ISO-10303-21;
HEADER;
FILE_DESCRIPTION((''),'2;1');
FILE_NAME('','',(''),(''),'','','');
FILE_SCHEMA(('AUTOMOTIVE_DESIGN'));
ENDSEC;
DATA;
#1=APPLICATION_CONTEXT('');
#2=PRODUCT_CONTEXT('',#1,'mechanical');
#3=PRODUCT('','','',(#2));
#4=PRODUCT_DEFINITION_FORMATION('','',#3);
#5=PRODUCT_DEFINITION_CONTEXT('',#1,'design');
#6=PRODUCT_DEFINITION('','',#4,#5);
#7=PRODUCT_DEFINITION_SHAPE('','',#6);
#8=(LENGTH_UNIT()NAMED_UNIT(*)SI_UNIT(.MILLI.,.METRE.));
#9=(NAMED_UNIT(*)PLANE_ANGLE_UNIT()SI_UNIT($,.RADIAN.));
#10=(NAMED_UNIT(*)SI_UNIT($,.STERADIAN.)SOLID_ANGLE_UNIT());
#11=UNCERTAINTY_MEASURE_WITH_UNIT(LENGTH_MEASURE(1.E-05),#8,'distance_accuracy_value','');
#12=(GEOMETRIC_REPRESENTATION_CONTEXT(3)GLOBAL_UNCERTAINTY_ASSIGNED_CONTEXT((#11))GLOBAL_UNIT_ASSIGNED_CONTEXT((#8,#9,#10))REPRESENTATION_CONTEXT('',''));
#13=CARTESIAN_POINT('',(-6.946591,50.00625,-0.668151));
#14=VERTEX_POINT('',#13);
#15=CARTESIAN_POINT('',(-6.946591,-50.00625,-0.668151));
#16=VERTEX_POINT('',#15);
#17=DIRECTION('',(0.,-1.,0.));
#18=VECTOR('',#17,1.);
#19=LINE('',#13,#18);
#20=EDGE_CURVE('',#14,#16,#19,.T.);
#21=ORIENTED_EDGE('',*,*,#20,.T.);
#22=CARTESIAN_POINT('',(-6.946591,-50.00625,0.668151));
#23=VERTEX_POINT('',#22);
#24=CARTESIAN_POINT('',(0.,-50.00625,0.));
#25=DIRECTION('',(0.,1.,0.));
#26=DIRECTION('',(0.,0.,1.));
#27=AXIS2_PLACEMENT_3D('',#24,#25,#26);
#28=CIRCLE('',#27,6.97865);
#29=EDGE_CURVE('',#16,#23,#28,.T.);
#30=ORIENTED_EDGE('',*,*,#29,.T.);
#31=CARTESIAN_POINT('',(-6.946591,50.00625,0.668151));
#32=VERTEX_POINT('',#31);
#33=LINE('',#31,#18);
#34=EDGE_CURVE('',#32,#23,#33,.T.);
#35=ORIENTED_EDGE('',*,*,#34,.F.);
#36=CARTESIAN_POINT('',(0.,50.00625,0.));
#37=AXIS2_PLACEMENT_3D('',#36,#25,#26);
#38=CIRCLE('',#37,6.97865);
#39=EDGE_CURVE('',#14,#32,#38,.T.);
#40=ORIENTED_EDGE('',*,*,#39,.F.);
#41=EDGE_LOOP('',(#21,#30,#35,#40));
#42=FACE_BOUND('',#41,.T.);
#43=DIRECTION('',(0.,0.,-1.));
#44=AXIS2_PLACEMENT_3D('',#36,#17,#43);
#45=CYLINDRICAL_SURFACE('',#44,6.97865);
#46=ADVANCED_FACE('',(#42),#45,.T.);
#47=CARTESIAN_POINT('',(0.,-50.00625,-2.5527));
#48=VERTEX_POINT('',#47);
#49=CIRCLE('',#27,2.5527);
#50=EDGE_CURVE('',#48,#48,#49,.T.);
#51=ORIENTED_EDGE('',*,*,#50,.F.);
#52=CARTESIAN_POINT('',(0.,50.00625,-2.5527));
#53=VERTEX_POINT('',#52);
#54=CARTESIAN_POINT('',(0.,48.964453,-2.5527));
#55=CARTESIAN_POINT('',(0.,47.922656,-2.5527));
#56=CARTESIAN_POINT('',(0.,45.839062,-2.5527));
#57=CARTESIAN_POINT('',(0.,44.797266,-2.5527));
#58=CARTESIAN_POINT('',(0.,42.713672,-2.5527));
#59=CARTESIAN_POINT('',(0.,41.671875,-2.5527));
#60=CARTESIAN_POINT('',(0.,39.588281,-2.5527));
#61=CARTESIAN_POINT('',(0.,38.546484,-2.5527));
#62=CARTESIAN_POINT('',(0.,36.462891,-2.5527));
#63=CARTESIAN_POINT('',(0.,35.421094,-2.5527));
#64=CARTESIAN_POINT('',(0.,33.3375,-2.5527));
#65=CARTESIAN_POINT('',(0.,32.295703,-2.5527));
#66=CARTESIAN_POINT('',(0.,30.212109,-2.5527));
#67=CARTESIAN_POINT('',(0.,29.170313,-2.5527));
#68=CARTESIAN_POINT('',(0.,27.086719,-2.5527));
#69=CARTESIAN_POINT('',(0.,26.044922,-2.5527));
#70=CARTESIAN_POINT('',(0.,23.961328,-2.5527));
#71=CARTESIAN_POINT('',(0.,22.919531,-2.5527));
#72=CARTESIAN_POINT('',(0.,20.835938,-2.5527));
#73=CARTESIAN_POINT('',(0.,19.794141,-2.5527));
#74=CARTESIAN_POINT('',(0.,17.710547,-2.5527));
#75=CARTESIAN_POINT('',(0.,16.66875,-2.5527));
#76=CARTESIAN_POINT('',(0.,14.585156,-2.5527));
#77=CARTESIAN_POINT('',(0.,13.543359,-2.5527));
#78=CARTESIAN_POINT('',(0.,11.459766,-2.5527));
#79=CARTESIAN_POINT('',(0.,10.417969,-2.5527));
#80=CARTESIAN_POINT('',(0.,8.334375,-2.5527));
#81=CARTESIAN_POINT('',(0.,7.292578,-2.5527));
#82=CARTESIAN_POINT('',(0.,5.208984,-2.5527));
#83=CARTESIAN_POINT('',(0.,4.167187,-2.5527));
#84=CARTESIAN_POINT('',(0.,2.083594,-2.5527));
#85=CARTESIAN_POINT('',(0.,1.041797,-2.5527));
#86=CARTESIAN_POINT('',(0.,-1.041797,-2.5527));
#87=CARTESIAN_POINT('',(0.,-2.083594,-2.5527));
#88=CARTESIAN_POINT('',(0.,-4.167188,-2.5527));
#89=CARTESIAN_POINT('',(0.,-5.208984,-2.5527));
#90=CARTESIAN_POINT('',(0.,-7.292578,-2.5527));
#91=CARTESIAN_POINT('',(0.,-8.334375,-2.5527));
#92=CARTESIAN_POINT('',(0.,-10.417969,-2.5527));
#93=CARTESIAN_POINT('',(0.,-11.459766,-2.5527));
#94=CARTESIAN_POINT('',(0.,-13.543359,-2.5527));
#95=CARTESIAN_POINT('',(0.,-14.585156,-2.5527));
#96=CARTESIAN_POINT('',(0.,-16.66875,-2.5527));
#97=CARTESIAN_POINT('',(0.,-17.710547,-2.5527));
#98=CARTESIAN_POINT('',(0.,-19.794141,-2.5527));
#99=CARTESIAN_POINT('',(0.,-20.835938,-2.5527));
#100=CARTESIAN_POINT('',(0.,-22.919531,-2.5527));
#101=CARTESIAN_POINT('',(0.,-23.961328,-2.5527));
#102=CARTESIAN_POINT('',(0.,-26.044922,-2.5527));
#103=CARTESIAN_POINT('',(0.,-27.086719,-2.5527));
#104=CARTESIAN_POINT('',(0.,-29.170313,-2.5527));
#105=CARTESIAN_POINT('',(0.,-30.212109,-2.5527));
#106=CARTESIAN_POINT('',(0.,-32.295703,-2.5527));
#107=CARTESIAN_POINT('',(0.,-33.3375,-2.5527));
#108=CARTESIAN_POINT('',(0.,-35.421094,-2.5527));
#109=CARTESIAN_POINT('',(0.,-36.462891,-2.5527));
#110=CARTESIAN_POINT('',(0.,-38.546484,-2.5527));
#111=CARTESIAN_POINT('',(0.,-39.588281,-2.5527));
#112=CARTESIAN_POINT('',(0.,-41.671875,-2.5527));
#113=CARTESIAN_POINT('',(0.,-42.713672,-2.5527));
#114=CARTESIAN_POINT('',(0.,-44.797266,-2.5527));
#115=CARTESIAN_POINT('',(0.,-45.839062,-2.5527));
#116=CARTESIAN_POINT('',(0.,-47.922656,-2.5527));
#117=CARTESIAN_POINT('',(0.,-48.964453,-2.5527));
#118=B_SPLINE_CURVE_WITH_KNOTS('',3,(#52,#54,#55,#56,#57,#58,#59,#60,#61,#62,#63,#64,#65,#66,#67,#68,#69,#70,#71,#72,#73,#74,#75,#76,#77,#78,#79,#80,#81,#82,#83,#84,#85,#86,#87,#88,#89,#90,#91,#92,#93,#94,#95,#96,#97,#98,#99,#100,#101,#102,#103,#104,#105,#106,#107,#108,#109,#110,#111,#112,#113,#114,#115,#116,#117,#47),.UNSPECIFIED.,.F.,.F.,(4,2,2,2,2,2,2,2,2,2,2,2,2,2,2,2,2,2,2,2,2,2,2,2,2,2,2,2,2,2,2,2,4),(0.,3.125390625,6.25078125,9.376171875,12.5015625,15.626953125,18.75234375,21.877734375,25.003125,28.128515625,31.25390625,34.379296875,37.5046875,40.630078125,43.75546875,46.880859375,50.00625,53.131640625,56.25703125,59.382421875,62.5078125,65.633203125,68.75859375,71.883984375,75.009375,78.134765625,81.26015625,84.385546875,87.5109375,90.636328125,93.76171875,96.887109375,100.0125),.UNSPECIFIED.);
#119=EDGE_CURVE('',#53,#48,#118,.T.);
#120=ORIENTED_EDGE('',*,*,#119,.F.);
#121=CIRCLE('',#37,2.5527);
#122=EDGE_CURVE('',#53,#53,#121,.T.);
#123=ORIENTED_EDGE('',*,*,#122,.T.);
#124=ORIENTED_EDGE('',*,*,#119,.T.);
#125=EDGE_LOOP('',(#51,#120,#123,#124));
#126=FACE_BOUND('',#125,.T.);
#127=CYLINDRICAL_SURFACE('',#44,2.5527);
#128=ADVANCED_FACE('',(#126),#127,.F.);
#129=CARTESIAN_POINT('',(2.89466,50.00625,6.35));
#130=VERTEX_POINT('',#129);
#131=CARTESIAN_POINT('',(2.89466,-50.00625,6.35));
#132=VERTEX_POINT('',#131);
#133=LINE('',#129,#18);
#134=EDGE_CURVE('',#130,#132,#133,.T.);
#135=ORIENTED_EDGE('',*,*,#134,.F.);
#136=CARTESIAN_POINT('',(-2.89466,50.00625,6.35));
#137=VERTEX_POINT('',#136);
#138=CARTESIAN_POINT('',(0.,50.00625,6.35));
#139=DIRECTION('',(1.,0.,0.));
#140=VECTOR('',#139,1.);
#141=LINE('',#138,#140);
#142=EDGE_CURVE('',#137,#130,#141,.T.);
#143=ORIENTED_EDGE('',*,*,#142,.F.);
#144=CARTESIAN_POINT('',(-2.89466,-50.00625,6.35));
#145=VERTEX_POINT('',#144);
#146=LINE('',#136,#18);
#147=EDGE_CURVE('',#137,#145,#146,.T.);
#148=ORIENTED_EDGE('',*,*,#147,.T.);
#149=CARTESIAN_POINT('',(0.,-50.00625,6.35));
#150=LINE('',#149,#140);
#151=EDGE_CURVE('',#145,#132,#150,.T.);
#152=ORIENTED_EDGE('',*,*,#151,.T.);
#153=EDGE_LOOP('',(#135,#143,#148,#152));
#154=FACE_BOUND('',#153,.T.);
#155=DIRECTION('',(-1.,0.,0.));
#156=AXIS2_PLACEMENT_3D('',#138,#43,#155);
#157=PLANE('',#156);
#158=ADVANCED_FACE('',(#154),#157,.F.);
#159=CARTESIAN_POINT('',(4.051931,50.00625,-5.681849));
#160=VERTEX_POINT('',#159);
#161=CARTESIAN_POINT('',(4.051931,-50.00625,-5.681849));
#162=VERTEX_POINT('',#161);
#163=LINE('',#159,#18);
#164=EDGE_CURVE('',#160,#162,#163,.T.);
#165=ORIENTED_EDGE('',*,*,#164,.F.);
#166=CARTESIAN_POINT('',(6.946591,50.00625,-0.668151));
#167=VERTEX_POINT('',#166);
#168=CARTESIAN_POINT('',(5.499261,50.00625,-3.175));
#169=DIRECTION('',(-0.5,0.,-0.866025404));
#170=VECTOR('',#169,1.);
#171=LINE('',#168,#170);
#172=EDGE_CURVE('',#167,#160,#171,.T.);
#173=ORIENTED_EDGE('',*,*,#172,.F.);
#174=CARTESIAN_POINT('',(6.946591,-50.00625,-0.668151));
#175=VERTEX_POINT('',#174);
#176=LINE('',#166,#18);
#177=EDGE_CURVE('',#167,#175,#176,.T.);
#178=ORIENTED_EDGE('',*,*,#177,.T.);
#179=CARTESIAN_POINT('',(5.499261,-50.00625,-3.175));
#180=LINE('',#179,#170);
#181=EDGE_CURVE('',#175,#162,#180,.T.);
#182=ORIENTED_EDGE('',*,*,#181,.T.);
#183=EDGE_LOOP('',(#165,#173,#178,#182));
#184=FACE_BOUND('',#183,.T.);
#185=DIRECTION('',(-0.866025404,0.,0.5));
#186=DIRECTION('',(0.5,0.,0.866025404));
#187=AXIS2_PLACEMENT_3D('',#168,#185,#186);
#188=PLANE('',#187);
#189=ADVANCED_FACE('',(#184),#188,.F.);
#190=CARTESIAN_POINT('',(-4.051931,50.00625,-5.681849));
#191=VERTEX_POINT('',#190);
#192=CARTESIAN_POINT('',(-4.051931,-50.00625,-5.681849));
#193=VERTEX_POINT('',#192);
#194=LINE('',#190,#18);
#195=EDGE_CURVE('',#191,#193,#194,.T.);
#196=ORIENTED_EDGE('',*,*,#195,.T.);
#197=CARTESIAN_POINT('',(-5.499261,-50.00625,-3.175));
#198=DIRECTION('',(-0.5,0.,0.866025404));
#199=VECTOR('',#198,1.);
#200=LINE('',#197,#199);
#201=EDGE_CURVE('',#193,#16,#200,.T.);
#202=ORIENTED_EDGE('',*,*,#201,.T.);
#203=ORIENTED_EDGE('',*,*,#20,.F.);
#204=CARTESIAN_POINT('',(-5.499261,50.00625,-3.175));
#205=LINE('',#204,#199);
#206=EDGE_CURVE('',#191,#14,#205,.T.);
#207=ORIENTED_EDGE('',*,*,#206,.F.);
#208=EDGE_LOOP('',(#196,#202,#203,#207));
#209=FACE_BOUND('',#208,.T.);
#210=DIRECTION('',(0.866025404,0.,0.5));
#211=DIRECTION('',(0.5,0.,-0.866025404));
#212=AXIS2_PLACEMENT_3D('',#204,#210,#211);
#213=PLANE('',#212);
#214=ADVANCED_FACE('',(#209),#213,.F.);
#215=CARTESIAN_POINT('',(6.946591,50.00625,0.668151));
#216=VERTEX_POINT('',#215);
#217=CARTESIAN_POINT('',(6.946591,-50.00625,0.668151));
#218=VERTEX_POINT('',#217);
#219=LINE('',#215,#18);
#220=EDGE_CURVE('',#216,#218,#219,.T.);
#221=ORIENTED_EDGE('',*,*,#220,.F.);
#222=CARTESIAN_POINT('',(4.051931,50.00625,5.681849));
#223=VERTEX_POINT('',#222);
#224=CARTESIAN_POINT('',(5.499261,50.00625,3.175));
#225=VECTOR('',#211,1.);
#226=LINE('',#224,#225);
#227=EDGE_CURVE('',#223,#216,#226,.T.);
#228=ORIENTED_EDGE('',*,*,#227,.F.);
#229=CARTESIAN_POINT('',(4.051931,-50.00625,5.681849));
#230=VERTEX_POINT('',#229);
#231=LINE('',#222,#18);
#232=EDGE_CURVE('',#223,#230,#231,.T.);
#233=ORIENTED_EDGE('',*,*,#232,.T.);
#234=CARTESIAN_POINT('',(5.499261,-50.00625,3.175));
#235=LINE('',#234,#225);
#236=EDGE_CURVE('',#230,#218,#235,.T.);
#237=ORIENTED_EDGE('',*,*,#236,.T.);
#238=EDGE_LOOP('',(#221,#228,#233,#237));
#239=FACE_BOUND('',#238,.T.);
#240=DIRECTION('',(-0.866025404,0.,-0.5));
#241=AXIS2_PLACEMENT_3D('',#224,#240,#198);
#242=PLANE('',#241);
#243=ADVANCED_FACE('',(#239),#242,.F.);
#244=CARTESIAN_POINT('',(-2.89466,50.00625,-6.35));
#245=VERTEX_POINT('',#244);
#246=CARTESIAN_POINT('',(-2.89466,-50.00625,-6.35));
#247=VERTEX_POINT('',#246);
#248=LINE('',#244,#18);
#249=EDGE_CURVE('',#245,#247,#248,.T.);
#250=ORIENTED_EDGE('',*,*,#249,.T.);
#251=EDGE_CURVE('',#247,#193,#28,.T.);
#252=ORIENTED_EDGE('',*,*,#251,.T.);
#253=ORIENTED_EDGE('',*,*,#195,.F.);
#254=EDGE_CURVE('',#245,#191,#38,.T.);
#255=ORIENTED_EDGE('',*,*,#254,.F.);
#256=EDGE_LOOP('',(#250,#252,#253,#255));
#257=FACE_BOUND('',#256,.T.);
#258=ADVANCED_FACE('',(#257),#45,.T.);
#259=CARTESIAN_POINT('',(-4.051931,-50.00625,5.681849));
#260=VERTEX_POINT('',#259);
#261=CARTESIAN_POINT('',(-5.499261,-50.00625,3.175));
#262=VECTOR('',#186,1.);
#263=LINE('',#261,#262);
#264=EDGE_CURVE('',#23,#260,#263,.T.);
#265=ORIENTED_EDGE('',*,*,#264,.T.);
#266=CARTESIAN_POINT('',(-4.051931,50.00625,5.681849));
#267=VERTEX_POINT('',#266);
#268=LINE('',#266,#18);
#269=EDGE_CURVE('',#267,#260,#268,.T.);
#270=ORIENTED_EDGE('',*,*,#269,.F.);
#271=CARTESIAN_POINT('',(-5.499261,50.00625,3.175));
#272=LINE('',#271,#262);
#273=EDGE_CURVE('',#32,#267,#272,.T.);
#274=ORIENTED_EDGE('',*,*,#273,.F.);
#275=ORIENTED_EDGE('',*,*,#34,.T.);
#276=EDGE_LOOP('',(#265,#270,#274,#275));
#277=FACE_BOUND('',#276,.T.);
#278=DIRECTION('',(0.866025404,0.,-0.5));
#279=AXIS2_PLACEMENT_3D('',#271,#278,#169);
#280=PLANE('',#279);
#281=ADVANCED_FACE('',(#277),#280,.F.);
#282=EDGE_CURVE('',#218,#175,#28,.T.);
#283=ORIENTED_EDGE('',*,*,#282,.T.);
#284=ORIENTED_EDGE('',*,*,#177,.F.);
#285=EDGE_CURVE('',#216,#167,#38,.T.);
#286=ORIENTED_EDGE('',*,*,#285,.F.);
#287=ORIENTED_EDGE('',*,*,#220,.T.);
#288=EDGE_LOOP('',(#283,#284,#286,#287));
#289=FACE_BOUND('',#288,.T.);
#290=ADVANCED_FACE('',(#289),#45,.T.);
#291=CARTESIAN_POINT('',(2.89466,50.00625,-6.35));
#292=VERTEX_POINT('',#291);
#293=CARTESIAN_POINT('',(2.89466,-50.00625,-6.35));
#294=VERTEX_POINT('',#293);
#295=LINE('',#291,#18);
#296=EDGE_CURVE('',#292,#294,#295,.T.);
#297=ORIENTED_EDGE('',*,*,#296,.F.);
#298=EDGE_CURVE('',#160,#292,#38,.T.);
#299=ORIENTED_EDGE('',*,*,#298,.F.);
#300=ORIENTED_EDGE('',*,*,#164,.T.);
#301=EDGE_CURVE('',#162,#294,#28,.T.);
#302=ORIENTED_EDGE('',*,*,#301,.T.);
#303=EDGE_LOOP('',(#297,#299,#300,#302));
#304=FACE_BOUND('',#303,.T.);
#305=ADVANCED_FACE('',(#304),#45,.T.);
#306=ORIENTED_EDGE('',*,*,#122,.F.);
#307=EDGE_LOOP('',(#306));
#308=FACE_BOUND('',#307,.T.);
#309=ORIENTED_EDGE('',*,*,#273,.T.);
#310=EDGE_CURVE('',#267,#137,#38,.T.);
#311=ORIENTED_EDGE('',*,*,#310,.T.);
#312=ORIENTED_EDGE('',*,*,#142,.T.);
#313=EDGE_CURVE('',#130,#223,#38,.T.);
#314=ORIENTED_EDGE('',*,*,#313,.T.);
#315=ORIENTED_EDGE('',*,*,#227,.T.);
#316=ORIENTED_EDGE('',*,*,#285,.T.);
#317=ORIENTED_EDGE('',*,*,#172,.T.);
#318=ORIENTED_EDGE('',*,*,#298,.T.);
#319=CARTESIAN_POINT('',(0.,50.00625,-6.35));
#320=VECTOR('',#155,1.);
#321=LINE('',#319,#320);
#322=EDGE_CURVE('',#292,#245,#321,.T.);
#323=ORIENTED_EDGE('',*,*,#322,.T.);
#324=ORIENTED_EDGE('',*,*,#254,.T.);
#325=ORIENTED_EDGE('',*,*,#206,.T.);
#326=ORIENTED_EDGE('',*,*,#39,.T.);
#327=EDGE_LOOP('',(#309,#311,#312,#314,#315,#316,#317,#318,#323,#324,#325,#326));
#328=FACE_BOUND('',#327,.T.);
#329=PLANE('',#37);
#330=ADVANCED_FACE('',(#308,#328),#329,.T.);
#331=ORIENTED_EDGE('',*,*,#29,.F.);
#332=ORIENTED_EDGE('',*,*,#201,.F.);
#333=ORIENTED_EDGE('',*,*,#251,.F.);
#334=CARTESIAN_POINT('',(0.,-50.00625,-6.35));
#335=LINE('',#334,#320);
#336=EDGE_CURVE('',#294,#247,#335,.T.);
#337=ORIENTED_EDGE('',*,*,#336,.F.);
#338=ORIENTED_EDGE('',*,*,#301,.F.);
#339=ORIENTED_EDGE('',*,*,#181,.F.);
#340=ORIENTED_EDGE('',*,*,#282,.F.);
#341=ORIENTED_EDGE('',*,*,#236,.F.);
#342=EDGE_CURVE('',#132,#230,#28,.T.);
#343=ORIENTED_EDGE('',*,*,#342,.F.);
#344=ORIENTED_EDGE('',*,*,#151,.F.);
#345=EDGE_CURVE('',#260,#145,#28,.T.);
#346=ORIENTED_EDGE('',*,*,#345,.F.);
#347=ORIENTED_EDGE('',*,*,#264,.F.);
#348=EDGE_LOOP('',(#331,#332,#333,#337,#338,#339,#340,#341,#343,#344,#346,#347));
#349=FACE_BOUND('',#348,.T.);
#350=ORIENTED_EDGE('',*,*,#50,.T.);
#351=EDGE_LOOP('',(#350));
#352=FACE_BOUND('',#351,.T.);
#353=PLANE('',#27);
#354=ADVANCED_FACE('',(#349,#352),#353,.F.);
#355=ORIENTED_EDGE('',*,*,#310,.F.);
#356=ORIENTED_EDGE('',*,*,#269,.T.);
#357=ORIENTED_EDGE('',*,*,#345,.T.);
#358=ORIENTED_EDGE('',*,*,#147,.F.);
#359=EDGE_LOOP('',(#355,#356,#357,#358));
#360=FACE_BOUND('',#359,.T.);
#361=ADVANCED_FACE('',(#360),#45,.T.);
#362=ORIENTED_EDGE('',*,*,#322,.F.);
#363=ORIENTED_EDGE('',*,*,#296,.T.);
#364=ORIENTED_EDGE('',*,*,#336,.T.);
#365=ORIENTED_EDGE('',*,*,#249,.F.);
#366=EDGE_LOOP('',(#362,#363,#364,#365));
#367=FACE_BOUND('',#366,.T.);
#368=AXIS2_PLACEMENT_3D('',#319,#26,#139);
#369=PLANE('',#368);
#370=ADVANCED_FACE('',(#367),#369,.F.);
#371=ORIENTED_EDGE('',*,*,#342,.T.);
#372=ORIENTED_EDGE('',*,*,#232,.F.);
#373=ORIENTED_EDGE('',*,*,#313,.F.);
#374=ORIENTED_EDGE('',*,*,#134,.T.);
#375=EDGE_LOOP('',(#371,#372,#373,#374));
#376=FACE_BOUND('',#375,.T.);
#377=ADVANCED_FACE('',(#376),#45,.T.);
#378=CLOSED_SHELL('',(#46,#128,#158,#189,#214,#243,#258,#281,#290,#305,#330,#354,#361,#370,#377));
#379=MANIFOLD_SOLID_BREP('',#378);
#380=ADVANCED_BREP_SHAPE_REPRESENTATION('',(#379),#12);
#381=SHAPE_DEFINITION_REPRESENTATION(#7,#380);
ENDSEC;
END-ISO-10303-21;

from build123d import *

# Parameters (mm, degrees)
SKETCH1_R           = 2.5527
BOSS_EXTRUDE1_DEPTH = 50.00625


with BuildPart() as part:
    # Sketch1 → Boss-Extrude1 (new, symmetric)
    with BuildSketch(Plane(origin=(0, 0, 0), x_dir=(1, 0, 0), z_dir=(0, 1, 0))):
        with BuildLine():
            ThreePointArc((2.89465988, -6.35), (3.489325, -6.043688184), (4.051931374, -5.681848992))
            Line((4.051931374, -5.681848992), (6.946591254, -0.668151008))
            ThreePointArc((6.946591254, -0.668151008), (6.970630706, -0.334459838), (6.97865, 0))
            ThreePointArc((6.97865, 0), (6.970630706, 0.334459838), (6.946591254, 0.668151008))
            Line((6.946591254, 0.668151008), (4.051931374, 5.681848992))
            ThreePointArc((4.051931374, 5.681848992), (3.489325, 6.043688184), (2.89465988, 6.35))
            Line((2.89465988, 6.35), (-2.89465988, 6.35))
            ThreePointArc((-2.89465988, 6.35), (-3.489325, 6.043688184), (-4.051931374, 5.681848992))
            Line((-4.051931374, 5.681848992), (-6.946591254, 0.668151008))
            ThreePointArc((-6.946591254, 0.668151008), (-6.97865, 0), (-6.946591254, -0.668151008))
            Line((-6.946591254, -0.668151008), (-4.051931374, -5.681848992))
            ThreePointArc((-4.051931374, -5.681848992), (-3.489325, -6.043688184), (-2.89465988, -6.35))
            Line((-2.89465988, -6.35), (2.89465988, -6.35))
        make_face()
        with Locations(Location((0, 0, 0), (0, 0, 90))):
            Circle(SKETCH1_R, mode=Mode.SUBTRACT)
    extrude(amount=BOSS_EXTRUDE1_DEPTH, both=True)


solid = part.part
